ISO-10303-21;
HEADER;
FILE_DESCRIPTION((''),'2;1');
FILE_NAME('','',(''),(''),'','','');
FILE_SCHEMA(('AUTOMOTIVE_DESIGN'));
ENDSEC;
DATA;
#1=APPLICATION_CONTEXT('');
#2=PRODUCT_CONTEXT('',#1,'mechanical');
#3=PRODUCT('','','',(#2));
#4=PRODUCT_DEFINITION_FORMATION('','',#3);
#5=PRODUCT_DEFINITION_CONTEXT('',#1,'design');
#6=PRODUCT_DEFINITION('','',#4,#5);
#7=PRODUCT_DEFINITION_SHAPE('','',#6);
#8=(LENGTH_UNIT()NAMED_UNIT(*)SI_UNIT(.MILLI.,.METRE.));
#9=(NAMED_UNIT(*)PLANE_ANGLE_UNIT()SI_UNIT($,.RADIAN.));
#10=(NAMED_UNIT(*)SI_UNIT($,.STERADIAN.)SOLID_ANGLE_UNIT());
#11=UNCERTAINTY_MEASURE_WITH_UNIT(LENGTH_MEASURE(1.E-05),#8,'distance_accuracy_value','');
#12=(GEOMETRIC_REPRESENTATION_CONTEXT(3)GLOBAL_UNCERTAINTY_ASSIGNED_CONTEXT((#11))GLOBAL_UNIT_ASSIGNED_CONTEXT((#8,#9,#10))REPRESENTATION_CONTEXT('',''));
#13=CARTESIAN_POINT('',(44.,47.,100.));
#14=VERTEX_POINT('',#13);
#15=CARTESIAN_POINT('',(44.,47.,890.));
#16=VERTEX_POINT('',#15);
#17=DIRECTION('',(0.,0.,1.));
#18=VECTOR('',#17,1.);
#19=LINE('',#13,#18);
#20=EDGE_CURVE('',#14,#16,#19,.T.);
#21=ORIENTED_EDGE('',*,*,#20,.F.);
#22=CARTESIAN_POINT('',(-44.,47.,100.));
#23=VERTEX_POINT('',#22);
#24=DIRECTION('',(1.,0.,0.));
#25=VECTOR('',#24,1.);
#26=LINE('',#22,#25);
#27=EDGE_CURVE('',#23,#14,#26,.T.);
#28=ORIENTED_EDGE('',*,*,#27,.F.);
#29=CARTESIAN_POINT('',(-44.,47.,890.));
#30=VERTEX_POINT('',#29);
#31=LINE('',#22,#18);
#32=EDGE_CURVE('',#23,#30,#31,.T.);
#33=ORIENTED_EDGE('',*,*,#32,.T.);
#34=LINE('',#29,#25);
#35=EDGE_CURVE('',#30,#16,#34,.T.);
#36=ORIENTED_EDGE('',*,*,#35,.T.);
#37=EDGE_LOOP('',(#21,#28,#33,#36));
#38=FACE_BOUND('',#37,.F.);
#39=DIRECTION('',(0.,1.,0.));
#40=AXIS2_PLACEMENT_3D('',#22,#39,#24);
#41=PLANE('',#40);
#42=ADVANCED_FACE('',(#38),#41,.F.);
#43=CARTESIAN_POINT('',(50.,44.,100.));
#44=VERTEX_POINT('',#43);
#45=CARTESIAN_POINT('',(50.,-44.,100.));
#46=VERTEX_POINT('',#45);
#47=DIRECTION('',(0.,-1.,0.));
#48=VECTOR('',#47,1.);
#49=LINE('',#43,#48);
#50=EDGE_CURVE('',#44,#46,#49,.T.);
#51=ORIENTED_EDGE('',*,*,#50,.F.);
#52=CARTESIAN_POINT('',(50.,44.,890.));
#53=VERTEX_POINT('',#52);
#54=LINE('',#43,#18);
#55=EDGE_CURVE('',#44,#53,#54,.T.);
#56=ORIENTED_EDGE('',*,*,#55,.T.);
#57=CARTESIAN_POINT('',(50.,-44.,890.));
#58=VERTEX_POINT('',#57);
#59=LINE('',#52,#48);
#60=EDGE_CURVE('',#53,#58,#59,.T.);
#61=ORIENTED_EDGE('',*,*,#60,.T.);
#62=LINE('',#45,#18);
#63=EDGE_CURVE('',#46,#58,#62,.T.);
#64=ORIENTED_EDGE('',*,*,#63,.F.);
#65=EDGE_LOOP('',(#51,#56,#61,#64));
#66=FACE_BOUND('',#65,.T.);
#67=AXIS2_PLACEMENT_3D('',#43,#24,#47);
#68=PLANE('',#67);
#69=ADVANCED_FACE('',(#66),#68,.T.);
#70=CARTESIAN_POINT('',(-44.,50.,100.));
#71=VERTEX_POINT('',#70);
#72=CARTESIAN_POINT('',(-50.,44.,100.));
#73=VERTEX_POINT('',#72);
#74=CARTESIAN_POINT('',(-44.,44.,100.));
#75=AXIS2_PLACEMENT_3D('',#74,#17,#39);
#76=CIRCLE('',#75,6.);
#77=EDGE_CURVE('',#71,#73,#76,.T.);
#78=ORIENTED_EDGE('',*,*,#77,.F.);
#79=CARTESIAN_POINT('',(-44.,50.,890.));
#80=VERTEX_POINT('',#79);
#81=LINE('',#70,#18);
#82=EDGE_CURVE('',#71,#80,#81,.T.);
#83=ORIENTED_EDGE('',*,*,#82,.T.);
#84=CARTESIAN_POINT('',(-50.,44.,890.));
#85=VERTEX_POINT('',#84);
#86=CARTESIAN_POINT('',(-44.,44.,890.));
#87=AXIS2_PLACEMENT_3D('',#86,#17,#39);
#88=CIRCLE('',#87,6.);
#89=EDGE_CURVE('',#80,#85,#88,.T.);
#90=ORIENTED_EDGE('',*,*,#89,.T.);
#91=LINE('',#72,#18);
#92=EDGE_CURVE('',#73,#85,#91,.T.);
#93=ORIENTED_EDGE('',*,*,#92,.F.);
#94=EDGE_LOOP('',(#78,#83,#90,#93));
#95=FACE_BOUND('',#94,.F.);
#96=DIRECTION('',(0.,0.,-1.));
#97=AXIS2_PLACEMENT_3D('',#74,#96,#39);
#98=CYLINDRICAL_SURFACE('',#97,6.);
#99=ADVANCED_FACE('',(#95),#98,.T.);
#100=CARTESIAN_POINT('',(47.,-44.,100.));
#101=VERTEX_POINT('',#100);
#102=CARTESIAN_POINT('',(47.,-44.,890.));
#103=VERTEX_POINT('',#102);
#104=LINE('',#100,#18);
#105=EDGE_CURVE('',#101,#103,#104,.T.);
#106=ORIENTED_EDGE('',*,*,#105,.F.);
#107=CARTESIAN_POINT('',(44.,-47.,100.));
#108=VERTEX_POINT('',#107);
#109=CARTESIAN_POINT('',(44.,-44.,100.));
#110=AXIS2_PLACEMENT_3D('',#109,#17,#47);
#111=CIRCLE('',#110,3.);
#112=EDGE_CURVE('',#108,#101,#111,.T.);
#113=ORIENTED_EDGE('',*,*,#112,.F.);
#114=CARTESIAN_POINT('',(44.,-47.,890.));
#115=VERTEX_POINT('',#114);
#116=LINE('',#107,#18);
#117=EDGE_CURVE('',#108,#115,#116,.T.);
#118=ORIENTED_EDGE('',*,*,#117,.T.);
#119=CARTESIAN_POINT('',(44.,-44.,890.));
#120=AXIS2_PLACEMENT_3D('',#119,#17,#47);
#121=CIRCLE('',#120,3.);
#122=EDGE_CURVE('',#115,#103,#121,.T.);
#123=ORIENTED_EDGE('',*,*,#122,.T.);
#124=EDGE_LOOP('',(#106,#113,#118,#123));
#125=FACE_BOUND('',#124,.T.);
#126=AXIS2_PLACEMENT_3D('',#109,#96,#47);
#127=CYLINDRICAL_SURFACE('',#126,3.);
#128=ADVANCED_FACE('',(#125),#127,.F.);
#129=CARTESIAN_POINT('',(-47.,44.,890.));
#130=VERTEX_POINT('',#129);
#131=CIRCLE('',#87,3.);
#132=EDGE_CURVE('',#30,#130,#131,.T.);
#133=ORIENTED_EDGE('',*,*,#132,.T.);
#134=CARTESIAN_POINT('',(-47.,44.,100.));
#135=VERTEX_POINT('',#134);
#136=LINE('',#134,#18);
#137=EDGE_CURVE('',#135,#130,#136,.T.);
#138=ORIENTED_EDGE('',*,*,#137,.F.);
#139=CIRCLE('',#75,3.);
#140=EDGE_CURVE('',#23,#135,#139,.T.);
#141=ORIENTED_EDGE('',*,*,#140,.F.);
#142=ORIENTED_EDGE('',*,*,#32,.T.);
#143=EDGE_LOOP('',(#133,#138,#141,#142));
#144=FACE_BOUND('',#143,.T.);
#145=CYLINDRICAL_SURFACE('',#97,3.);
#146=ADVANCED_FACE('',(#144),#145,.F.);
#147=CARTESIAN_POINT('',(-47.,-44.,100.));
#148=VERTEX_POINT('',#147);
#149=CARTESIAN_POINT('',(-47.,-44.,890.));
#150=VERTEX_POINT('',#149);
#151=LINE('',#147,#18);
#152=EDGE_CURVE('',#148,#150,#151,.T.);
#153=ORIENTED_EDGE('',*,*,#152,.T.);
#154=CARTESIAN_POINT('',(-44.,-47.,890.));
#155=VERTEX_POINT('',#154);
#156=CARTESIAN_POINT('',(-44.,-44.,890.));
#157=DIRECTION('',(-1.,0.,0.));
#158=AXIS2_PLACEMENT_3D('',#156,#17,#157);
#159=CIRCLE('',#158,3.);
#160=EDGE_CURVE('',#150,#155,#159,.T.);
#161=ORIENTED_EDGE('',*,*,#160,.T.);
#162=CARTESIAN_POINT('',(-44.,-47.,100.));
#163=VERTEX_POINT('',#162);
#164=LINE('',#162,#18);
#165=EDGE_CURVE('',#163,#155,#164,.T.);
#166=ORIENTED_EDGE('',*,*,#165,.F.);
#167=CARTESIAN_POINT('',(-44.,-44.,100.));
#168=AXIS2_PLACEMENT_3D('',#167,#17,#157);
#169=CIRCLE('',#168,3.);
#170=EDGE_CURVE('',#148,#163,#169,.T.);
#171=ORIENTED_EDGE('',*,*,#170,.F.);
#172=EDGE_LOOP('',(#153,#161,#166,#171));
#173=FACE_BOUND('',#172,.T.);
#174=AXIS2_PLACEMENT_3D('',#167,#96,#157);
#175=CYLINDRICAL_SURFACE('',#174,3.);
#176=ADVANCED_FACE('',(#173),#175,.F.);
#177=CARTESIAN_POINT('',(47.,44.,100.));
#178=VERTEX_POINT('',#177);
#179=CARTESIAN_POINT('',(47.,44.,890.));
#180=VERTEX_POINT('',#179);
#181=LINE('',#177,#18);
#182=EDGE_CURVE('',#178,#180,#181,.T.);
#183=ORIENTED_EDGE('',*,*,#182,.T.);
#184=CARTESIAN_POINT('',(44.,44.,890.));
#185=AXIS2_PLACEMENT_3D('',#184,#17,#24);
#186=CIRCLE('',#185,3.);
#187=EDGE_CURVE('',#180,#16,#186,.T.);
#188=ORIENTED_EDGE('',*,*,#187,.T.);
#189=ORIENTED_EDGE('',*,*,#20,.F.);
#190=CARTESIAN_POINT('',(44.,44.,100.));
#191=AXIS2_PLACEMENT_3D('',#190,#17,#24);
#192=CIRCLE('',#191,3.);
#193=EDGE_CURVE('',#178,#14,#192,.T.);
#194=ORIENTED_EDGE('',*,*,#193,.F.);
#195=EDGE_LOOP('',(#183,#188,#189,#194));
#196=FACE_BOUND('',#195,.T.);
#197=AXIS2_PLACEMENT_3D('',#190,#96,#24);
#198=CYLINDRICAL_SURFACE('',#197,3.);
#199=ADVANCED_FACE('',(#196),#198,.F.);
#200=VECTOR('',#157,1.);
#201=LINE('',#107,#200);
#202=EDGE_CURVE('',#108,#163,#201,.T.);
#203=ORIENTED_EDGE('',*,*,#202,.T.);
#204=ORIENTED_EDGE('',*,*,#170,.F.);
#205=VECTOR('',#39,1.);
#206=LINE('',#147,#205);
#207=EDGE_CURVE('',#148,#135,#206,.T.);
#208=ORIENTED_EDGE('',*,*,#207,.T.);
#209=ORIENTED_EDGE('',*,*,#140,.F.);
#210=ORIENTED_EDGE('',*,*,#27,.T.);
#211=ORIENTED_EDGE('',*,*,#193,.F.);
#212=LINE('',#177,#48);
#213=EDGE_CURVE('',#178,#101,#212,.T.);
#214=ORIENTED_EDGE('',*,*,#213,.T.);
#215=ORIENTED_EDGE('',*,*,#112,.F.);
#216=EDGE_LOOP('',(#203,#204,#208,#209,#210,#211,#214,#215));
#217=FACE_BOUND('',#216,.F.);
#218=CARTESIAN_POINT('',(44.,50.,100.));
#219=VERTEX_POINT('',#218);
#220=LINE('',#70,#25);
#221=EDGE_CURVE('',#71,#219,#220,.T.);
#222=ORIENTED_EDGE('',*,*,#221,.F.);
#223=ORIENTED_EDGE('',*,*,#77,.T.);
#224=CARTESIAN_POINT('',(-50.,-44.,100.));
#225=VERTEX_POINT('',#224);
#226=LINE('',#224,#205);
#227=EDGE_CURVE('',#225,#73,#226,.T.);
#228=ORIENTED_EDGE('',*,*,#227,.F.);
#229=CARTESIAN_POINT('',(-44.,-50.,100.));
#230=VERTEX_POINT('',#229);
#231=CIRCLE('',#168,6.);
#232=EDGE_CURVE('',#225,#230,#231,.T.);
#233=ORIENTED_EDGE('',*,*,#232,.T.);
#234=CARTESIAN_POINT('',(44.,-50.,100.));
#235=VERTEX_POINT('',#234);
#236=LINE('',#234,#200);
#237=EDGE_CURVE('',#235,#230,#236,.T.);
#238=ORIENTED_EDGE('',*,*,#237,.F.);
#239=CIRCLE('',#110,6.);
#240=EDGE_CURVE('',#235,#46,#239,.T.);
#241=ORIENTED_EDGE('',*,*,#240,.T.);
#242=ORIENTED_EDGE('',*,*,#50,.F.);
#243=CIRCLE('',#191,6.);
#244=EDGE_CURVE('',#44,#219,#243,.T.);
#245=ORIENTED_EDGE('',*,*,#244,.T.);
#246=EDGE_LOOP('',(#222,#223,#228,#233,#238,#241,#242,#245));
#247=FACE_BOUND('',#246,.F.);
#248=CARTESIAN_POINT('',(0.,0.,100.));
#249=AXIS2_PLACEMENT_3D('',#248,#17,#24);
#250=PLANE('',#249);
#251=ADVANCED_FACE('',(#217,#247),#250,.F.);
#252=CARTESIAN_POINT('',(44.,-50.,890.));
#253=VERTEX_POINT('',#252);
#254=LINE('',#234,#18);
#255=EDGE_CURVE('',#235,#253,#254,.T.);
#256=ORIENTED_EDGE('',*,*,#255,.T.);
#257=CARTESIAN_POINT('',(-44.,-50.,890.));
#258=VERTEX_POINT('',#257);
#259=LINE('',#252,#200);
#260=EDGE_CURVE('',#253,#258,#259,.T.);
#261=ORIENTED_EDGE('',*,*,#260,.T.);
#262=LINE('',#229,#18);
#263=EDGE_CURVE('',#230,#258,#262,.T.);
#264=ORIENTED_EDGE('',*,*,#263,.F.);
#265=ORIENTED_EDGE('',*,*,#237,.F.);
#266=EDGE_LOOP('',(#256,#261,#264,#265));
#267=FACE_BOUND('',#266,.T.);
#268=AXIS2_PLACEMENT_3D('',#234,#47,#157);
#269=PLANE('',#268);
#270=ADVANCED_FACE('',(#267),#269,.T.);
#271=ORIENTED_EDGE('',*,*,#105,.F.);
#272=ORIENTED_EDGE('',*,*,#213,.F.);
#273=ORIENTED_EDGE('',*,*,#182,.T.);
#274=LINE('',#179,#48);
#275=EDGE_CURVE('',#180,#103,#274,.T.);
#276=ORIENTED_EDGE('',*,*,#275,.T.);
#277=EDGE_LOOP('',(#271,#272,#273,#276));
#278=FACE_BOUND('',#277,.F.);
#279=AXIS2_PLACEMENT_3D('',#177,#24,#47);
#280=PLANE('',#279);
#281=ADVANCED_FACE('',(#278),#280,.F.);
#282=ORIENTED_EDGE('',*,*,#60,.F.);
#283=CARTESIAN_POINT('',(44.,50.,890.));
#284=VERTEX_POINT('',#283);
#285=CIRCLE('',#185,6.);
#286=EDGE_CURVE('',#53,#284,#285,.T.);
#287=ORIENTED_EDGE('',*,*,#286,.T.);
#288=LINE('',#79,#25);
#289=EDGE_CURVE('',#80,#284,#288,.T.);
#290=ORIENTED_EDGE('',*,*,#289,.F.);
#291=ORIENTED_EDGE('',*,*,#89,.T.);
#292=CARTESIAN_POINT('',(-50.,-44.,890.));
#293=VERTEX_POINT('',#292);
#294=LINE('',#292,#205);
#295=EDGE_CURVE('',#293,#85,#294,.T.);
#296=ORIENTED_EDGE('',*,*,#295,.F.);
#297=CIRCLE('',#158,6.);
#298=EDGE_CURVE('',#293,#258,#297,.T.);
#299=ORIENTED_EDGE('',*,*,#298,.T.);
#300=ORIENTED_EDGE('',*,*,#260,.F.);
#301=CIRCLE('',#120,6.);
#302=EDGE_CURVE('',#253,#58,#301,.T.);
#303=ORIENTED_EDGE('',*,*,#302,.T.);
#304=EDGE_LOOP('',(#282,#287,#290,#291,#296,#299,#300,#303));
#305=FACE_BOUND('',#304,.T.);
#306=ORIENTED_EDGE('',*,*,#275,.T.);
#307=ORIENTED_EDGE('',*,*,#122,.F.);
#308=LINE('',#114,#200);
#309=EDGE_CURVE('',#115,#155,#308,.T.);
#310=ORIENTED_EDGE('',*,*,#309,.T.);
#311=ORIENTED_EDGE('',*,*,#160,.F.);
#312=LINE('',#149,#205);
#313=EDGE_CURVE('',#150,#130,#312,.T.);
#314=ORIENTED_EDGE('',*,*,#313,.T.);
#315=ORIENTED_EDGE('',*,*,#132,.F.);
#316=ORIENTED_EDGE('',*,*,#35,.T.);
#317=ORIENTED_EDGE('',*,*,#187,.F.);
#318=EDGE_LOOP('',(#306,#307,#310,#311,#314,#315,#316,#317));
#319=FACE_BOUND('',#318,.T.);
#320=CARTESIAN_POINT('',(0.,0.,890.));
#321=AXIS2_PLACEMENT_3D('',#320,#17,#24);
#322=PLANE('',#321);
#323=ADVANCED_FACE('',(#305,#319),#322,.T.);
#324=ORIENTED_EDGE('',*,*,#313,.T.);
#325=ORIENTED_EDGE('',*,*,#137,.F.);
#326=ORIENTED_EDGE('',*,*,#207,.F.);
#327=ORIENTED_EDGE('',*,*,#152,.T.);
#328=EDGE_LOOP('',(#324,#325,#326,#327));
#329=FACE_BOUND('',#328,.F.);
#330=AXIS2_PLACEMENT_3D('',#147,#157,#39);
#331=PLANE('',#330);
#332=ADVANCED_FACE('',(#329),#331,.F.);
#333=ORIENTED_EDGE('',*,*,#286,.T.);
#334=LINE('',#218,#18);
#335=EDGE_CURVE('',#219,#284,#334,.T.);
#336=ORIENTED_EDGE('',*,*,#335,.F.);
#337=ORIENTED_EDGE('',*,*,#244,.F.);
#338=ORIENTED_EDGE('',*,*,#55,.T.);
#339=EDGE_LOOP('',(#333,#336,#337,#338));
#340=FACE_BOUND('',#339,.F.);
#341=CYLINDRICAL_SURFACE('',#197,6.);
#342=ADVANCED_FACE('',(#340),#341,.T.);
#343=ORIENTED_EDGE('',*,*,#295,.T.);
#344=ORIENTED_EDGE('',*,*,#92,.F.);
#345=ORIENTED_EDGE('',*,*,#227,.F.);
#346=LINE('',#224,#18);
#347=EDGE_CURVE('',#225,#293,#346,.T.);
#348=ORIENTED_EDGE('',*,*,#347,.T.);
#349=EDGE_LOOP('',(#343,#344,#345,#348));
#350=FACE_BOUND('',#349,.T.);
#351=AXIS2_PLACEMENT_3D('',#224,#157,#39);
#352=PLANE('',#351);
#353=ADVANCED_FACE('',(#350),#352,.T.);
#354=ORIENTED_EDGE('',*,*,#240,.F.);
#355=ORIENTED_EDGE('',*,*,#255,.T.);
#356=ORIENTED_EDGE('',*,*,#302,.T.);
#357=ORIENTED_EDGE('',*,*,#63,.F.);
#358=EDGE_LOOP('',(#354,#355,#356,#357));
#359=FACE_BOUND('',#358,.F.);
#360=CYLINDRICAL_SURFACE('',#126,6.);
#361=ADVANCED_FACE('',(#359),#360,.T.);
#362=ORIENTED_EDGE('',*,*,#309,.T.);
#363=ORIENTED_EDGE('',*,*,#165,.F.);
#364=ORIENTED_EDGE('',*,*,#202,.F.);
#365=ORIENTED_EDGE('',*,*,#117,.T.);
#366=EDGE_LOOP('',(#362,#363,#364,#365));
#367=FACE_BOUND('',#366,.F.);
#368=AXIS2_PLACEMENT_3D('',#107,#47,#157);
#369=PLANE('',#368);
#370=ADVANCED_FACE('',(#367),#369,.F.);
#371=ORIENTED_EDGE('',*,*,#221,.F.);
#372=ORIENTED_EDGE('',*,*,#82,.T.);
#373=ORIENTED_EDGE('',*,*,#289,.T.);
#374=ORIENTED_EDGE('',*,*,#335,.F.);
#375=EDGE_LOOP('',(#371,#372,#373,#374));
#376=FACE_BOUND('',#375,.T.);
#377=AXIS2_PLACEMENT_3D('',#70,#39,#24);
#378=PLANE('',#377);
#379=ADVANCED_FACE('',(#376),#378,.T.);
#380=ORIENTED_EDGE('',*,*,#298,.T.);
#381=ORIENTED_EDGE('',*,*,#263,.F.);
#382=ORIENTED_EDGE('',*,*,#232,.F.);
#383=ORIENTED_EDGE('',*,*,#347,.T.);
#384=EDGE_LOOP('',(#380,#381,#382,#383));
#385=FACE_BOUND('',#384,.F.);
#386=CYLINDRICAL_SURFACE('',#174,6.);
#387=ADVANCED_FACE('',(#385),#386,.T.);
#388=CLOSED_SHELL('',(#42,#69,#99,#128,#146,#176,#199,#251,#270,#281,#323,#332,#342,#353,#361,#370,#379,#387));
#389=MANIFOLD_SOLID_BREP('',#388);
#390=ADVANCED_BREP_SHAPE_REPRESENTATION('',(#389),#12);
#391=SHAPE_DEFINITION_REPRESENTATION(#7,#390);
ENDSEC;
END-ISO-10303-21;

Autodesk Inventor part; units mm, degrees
ref_plane "YZ Plane" through (0, 0, 0) normal (1, 0, 0) x (0, 1, 0)
ref_plane "Start plane" through (0, 0, 100) normal (0, 0, 1) x (1, 0, 0)
ref_plane "End plane" through (0, 0, 890) normal (0, 0, 1) x (1, 0, 0)
sketch "Sketch" plane through (0, 0, 0) normal (0, 0, 1) x (1, 0, 0)
  line L0 (-50, -44) -> (-50, 44)
  line L1 (-44, 50) -> (44, 50)
  line L2 (50, 44) -> (50, -44)
  line L3 (44, -50) -> (-44, -50)
  arc A0 (-50, -44) -> (-44, -50) centre (-44, -44) ccw
  arc A1 (50, 44) -> (44, 50) centre (44, 44) ccw
  arc A2 (-44, 50) -> (-50, 44) centre (-44, 44) ccw
  arc A3 (44, -50) -> (50, -44) centre (44, -44) ccw
  arc A4 (-44, 47) -> (-47, 44) centre (-44, 44) ccw
  line L4 (-44, 47) -> (44, 47)
  arc A5 (47, 44) -> (44, 47) centre (44, 44) ccw
  line L5 (47, 44) -> (47, -44)
  arc A6 (44, -47) -> (47, -44) centre (44, -44) ccw
  line L6 (44, -47) -> (-44, -47)
  arc A7 (-47, -44) -> (-44, -47) centre (-44, -44) ccw
  line L7 (-47, -44) -> (-47, 44)
  line L8 (0, 72.3196) -> (0, -72.3196) construction
  line L9 (-72.3196, 0) -> (72.3196, 0) construction
  dimension "d7" = 6
  dimension "d9" = 100
  dimension "d11" = 100
  dimension "d12" = 3
  dimension "d15" = 50
  dimension "d16" = 50
extrude "Body" add sketch "Sketch" along normal up to surface (790 mm away) from surface at 100
sketch "Sketch3" plane through (0, 0, 0) normal (0, 0, 1) x (1, 0, 0)
  line L0 (0, 0) -> (10, 0)
ref_plane "Work Plane3" through (0, 0, 0) normal (0, -1, 0) x (1, 0, 0)
sketch "Sketch4" plane through (0, 0, 0) normal (0, -1, 0) x (1, 0, 0)
  line L0 (-2, 100) -> (12, 100) projected
  line L1 (-2, 890) -> (12, 890) projected
  dimension "d18" = 790
equation "\"d7\" = G_IR"
equation "\"d9\" = G_W"
equation "\"d11\" = G_H"
equation "\"d12\" = G_T"
equation "\"d15\" = 0.5 * d9"
equation "\"d16\" = 0.5 * d11"
equation "\"d3\" = G_L"
equation "\"G_W\" = 100"
equation "\"G_H\" = 100"
equation "\"G_T\" = 3"
equation "\"G_IR\" = 6"
equation "\"G_L\" = d18"
properties part number "ISO 10799-2 - 100x100x3 - 790" material "Steel, Mild"
